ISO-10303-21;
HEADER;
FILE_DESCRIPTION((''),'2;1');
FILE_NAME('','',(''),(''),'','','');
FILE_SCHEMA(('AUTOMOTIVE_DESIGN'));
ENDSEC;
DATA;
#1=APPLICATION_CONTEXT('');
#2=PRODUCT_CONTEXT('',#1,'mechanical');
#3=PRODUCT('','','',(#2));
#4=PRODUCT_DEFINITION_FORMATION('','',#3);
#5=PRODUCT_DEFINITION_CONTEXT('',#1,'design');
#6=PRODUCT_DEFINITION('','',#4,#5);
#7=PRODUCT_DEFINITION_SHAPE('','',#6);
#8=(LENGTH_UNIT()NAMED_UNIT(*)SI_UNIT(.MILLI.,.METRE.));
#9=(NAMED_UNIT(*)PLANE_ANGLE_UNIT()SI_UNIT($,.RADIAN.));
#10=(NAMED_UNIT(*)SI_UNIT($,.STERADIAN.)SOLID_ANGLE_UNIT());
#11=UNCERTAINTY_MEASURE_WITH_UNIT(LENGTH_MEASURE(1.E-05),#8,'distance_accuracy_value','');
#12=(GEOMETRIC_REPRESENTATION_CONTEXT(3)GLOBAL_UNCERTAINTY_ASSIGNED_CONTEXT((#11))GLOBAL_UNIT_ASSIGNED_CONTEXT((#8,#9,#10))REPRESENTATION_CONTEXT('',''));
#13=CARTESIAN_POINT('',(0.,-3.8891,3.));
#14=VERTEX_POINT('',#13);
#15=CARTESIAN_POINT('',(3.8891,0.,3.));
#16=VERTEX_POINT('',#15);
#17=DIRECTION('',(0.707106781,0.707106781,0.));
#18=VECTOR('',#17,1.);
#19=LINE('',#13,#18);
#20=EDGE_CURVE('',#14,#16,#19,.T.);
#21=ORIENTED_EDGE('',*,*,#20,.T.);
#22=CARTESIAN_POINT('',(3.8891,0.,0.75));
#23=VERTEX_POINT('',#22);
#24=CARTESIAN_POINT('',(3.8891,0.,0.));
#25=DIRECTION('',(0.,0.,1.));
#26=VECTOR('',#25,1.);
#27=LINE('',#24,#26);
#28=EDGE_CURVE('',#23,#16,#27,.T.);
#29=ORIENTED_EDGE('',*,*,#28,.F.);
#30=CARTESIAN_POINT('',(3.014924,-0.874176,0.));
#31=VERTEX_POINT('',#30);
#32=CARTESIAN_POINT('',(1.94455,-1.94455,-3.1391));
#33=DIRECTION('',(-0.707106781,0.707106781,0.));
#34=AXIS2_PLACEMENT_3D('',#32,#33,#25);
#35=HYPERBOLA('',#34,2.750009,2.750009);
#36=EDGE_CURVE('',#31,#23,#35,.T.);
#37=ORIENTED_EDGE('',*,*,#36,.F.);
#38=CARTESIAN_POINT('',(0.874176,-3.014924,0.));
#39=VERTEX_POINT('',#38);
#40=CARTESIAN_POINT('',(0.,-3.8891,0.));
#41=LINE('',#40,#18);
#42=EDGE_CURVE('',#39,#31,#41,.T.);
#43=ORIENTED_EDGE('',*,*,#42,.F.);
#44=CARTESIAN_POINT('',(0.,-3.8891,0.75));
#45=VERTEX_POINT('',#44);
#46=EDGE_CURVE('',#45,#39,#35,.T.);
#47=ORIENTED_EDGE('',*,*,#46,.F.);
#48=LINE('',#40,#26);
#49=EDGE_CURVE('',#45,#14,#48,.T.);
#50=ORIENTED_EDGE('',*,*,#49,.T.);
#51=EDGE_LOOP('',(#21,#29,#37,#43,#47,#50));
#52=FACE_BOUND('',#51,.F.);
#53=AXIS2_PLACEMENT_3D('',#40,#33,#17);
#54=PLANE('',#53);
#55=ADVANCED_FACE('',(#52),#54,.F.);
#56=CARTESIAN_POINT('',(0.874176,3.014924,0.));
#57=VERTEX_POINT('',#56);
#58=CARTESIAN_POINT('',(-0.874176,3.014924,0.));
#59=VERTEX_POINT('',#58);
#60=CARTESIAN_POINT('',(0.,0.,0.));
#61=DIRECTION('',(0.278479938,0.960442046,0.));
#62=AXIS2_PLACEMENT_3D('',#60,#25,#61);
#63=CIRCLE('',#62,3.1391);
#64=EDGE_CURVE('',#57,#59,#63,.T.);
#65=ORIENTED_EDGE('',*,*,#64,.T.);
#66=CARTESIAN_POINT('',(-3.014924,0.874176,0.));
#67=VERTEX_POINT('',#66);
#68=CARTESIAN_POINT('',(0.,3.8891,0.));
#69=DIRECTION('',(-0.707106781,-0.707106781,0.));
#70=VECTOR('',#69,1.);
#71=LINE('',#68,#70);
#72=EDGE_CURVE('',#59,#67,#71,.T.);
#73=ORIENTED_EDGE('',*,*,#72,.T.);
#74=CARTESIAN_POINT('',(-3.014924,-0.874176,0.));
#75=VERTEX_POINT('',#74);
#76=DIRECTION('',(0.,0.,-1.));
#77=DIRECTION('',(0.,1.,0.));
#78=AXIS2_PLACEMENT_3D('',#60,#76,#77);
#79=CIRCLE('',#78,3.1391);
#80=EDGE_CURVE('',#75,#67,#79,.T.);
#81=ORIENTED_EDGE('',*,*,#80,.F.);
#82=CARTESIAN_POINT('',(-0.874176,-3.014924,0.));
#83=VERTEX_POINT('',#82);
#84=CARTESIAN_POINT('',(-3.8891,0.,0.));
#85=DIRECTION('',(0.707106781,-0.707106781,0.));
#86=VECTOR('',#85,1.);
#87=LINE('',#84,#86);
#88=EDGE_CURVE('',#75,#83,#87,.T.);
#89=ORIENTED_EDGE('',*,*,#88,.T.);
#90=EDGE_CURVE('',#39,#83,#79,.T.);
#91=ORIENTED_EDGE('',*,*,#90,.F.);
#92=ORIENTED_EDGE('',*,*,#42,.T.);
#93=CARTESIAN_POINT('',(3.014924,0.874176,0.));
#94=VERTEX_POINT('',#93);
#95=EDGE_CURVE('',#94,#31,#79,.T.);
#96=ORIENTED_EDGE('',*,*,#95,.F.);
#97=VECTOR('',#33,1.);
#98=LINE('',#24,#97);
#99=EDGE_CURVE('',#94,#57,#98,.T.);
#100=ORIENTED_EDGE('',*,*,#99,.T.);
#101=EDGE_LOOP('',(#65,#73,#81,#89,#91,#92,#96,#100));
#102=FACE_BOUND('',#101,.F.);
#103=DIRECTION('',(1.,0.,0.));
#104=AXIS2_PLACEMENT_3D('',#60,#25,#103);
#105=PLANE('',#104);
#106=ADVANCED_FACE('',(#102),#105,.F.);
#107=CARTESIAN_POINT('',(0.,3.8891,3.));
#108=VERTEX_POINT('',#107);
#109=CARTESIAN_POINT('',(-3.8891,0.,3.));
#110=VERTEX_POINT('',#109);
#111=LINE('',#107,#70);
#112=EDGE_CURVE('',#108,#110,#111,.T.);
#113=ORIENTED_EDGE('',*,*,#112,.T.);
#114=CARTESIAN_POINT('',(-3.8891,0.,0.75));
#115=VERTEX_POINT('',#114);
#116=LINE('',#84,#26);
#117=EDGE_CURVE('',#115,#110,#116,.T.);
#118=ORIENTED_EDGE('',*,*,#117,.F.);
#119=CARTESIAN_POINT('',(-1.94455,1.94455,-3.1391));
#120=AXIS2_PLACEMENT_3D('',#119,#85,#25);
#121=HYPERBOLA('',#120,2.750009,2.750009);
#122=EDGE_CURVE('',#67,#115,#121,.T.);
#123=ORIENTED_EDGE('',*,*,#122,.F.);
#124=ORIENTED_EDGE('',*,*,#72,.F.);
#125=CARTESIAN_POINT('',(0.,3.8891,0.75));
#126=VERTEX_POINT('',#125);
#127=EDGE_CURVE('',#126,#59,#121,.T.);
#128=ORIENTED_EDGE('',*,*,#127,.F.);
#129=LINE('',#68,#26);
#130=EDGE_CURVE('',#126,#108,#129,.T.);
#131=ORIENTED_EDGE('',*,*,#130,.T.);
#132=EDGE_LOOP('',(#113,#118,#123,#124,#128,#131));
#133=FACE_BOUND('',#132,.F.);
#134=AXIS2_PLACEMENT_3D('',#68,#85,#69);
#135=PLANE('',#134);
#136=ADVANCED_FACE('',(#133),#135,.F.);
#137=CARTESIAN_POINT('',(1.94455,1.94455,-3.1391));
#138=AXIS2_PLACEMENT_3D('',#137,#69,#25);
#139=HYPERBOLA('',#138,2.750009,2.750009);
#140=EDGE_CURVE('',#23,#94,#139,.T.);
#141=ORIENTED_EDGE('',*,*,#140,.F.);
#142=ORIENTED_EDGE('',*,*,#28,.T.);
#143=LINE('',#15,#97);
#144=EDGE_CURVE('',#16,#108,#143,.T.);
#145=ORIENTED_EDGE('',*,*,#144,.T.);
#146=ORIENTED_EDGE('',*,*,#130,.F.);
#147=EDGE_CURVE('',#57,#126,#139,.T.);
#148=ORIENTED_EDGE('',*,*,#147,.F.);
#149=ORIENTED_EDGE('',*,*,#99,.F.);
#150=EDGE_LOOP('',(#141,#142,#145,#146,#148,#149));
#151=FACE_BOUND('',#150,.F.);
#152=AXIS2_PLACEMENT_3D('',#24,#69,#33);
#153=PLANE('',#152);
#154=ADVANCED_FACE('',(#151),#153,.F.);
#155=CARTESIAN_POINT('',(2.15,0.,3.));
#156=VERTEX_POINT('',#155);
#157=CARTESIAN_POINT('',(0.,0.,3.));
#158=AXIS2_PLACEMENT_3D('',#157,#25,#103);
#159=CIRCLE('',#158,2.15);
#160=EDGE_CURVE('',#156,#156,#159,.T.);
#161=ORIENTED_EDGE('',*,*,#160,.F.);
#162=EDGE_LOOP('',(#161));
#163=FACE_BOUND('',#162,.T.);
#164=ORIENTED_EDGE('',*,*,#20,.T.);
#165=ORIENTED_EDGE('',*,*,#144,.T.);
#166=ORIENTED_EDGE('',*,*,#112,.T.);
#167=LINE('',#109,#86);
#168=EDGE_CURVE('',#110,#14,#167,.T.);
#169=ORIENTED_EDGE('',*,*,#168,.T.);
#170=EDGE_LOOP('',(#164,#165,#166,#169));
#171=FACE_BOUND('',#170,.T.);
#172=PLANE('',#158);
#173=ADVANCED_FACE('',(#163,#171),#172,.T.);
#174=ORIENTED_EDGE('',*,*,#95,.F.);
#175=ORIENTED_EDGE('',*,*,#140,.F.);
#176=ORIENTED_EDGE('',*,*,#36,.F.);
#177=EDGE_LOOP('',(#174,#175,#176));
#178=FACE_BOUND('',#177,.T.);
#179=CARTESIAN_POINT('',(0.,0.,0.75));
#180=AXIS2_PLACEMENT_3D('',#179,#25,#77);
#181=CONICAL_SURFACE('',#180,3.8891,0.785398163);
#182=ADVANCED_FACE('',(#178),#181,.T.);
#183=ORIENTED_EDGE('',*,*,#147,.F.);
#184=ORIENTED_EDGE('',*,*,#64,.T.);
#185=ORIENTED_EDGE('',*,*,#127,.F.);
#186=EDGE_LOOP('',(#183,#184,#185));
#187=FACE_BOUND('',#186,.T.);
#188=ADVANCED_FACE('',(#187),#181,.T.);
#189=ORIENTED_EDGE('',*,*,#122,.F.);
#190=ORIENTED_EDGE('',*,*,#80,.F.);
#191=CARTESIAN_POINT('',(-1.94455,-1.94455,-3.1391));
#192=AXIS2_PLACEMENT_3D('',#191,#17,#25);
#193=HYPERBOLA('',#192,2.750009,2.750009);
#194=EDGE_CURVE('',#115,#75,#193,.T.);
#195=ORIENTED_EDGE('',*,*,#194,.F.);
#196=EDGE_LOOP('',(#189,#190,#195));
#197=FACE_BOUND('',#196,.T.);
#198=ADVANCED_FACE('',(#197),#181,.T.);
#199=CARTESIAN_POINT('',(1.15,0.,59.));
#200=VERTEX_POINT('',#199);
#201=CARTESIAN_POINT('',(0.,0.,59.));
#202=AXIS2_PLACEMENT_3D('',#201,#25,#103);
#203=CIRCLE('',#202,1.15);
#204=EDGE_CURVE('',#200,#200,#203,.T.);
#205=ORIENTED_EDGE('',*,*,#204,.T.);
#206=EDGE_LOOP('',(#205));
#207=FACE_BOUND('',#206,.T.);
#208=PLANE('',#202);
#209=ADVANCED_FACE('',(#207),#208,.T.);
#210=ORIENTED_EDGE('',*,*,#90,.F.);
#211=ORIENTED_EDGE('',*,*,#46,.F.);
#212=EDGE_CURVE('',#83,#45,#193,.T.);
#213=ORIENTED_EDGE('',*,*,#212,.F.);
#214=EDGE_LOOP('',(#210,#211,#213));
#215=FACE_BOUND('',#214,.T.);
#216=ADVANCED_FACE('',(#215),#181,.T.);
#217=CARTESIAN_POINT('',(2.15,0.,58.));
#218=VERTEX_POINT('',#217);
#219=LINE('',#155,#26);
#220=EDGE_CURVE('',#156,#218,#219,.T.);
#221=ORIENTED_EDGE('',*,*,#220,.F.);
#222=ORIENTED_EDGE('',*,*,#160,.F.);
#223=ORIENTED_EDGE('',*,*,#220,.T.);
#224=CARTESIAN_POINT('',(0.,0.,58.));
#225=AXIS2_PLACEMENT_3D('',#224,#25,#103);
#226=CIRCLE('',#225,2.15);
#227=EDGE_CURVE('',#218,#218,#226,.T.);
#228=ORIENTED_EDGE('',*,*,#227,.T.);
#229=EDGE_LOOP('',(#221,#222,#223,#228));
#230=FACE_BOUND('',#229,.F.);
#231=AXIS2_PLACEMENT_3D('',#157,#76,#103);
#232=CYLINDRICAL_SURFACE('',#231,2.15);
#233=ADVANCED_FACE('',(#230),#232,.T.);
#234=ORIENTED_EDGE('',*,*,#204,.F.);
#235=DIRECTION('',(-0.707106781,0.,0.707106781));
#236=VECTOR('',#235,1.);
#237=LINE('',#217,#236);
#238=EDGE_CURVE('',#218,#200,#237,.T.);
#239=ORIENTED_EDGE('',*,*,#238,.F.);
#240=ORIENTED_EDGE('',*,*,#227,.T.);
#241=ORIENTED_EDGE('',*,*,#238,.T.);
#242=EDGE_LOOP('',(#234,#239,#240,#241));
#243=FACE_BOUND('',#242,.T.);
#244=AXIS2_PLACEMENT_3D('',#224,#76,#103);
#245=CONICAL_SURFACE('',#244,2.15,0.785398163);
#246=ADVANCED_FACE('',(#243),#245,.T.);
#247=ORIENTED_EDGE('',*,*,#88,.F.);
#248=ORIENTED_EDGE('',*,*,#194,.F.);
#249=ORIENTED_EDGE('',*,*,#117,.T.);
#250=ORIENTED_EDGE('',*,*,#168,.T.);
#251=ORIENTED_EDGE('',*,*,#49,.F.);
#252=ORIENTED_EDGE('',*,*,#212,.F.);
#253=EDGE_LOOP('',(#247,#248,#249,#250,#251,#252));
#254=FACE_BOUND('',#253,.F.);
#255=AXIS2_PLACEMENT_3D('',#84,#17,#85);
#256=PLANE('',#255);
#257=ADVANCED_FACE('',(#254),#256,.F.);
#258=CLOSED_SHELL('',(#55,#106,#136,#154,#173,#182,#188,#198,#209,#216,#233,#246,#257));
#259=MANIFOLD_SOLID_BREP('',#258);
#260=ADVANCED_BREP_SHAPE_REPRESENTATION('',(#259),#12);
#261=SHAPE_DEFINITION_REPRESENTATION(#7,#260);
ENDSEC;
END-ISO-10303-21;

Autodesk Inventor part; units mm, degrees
ref_plane "YZ Plane" through (0, 0, 0) normal (1, 0, 0) x (0, 1, 0)
ref_plane "XZ Plane" through (0, 0, 0) normal (0, 1, 0) x (-1, 0, 0)
ref_plane "XY Plane" through (0, 0, 0) normal (0, 0, 1) x (1, 0, 0)
sketch "Sketch1" plane through (0, 0, 0) normal (0, 0, 1) x (1, 0, 0)
  line L0 (-3.8891, 0) -> (0, -3.8891)
  line L1 (0, -3.8891) -> (3.8891, 0)
  line L2 (3.8891, 0) -> (0, 3.8891)
  line L3 (0, 3.8891) -> (-3.8891, 0)
  line L4 (-3.8891, 0) -> (3.8891, 0) construction
  line L5 (0, -3.8891) -> (0, 3.8891) construction
  point P0 (0, 0)
  dimension "d0" = 5.5
  dimension "d1" = 5.5
  dimension "d2" = 90
  dimension "d3" = 5.5
  dimension "d4" = 90
  dimension "d5" = 0
  dimension "d6" = 0
extrude "Extrusion1" add sketch "Sketch1" along normal blind 3
sketch "Sketch2" plane through (0, 0, 0) normal (1, 0, 0) x (0, 1, 0)
  line L0 (3.8891, 0) -> (0, 0) projected
  line L1 (3.8891, 0) -> (3.8891, 0.75)
  line L2 (3.8891, 0.75) -> (3.1391, 0)
  line L3 (3.8891, 0) -> (3.1391, 0)
  line L4 (-3.8891, 3) -> (0, 3) projected
  line L5 (0, 3) -> (0, 0)
  dimension "d9" = 0.75
  dimension "d10" = 0.75
revolve "Revolution1" cut sketch "Sketch2" angle 360 about axis through (0, 0, 3) along (0, 0, -1)
sketch "Sketch3" plane through (0, 0, 3) normal (0, 0, 1) x (1, 0, 0)
  circle A0 centre (0, 0) radius 2.15
  dimension "d12" = 4.3
extrude "Extrusion2" add sketch "Sketch3" along normal blind 56
chamfer "Chamfer1" distance 1 angle 45 1 edges at (-2.15, 0, 59)
thread "Thread1" size "M4.5x0.75" class "6g" standard "ANSI Metric M Profile" length 5
properties part number "ES117_Bolt" material "Stainless Steel"
